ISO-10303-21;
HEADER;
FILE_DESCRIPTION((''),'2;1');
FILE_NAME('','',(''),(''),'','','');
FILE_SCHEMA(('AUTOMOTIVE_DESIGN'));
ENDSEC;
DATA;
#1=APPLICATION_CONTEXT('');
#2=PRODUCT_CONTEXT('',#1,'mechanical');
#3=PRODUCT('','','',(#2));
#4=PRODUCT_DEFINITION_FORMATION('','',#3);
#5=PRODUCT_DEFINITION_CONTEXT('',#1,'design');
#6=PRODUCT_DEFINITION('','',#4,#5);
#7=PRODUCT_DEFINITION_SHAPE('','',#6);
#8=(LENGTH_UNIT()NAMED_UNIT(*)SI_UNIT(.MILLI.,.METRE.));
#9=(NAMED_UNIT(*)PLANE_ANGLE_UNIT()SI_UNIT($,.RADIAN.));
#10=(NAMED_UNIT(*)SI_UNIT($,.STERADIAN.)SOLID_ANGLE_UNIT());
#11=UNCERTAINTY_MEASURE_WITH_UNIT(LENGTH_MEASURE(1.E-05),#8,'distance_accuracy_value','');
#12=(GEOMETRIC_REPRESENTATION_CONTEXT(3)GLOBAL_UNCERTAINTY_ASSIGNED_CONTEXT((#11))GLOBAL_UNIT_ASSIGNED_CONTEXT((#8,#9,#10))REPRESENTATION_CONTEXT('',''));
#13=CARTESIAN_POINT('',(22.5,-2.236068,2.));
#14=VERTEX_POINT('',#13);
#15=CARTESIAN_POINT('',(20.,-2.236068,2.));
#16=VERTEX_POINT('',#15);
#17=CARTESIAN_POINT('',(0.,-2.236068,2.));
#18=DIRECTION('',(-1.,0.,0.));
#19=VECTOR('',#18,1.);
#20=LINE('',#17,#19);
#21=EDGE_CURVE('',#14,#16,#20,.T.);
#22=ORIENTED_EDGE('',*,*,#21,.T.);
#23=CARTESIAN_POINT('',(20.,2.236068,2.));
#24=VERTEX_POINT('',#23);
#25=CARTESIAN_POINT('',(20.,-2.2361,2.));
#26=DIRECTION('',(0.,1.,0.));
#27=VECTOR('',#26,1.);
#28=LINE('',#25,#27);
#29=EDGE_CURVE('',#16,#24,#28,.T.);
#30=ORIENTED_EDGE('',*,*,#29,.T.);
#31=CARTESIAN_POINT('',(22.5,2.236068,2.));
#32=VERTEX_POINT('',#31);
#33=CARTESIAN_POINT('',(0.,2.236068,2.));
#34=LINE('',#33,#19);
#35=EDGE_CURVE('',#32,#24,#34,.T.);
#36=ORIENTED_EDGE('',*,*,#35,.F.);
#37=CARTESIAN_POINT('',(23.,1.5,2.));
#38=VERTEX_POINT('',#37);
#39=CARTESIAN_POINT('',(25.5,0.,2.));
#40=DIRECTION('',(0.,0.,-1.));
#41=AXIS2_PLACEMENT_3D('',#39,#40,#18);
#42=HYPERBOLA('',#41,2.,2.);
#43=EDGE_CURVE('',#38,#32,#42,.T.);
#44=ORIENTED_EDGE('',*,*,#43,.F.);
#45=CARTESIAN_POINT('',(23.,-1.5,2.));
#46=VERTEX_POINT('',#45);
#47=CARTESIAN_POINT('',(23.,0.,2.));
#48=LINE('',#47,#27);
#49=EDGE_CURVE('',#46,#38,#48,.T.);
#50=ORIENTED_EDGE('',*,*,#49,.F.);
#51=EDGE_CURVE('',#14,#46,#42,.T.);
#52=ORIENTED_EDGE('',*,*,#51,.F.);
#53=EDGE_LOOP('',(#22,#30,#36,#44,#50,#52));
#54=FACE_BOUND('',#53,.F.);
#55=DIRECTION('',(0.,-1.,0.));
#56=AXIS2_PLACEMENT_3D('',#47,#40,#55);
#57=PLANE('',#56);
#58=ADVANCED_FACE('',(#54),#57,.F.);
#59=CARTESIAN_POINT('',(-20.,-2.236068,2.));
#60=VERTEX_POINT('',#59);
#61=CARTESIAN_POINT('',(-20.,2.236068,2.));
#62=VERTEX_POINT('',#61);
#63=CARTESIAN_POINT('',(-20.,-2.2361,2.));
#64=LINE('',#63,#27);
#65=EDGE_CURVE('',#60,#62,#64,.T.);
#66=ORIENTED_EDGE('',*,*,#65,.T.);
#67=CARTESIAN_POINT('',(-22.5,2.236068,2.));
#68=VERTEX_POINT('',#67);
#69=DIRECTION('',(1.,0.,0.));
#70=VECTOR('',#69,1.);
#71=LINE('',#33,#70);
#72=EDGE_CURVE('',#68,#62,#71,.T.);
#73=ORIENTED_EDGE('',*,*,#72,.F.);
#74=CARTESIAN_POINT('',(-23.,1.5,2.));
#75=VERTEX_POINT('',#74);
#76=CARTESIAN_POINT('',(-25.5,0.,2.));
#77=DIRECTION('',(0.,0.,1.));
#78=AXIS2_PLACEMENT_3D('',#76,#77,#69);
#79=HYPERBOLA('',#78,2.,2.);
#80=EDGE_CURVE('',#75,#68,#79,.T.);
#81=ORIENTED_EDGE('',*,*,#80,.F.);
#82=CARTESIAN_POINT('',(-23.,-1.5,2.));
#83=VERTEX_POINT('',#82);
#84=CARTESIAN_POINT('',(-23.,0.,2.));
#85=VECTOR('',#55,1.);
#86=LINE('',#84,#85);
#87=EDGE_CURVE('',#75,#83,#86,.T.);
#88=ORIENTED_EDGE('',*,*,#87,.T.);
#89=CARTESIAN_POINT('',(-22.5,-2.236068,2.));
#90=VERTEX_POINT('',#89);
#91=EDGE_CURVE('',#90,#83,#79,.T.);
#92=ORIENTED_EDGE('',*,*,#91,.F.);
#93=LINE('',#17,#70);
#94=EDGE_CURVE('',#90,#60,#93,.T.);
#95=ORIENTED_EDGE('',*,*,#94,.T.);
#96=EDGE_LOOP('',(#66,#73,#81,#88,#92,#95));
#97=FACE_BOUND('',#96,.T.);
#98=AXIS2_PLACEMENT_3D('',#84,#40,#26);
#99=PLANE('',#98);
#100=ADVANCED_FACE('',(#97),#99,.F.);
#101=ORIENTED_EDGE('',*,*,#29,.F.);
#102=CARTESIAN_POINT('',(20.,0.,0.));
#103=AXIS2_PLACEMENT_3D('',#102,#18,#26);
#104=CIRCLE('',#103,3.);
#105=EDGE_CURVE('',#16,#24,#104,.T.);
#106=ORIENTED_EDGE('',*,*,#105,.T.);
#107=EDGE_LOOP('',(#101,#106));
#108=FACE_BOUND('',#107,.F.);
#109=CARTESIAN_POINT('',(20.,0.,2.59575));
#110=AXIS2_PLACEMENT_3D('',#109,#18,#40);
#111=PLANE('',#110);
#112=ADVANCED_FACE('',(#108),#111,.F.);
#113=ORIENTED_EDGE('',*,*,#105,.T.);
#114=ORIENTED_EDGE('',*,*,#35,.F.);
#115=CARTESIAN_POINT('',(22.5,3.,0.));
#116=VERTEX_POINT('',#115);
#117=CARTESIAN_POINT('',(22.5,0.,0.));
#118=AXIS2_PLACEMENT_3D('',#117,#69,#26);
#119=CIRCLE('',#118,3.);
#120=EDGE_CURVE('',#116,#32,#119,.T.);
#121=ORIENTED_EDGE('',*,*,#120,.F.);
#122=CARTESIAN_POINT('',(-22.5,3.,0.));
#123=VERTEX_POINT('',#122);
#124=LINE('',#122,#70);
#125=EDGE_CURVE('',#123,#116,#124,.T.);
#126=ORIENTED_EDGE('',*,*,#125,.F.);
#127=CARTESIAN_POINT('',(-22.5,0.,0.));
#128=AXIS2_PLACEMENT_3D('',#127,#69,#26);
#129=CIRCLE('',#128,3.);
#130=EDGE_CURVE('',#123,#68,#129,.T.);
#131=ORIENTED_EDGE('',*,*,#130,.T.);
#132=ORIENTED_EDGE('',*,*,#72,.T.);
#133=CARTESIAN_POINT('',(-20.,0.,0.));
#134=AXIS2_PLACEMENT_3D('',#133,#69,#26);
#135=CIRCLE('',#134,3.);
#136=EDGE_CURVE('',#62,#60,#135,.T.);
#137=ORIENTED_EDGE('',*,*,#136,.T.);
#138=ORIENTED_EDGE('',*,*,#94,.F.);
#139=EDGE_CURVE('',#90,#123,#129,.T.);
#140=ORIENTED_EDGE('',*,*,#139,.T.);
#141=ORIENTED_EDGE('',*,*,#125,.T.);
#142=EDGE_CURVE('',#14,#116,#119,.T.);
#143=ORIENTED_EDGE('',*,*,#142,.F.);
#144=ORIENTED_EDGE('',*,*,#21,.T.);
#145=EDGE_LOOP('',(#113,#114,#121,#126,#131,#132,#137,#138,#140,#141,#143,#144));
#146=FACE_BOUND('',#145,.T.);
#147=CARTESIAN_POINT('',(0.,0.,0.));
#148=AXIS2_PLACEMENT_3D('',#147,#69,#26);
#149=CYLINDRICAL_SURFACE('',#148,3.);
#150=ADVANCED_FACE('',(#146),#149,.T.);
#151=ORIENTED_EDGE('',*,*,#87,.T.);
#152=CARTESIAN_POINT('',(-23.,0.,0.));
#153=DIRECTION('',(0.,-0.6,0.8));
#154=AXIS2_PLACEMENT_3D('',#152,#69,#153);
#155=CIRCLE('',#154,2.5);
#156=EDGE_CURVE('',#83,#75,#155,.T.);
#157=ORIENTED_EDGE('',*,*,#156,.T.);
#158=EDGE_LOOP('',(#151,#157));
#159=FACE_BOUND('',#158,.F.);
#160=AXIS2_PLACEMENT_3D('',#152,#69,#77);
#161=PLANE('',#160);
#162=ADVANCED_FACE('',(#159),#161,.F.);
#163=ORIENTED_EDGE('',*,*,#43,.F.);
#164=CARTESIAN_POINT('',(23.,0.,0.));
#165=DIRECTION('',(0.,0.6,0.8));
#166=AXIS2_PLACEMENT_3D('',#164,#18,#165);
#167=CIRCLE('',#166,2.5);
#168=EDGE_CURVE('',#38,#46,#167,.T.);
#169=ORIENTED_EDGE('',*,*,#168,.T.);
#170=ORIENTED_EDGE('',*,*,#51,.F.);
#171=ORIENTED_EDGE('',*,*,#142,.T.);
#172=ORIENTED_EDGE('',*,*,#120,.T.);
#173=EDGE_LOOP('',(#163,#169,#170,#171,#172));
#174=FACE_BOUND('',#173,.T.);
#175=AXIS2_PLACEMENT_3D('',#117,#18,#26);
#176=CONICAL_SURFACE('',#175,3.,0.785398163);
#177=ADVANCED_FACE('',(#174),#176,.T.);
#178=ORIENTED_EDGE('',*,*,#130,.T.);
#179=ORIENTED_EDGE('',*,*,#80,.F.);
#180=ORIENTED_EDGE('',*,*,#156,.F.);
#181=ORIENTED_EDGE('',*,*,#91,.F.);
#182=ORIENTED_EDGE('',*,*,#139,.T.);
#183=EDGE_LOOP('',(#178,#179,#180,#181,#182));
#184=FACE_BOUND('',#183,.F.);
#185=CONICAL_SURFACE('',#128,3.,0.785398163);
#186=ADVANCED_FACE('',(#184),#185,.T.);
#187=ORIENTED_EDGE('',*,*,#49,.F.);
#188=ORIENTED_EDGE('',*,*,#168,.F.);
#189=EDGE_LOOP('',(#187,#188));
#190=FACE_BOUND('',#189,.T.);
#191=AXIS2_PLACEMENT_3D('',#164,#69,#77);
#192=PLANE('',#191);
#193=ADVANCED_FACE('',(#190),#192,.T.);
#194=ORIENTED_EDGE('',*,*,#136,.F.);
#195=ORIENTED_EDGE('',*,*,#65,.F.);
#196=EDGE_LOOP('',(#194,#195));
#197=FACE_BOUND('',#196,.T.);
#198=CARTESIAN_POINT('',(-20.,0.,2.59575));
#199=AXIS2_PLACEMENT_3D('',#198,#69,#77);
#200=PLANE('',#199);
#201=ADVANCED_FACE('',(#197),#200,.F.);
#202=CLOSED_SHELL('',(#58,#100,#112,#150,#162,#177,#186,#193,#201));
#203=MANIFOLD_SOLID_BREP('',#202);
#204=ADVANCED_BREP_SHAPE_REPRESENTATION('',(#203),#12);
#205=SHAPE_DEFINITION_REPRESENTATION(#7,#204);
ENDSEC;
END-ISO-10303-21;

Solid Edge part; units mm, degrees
sketch "Sketch1" plane through (0, 0, 0) normal (1, 0, 0) x (0, 1, 0)
  circle A0 centre (0, 0) radius 3
extrude "Protrusion1" add sketch "Sketch1" along normal mid plane 46
chamfer "Chamfer_1" distance 0.5 angle 45 1 edges at (23, -3, 0)
chamfer "Chamfer_2" distance 0.5 angle 45 1 edges at (-23, -3, 0)
sketch "Sketch2" plane through (23, 0, 0) normal (1, 0, 0) x (0, 1, 0)
  line L0 (-2.2361, 3.1915) -> (2.2361, 3.1915)
  line L1 (2.2361, 3.1915) -> (2.2361, 2)
  line L2 (0, 2) -> (2.2361, 2)
  line L3 (0, 2) -> (-2.2361, 2)
  line L4 (-2.2361, 2) -> (-2.2361, 3.1915)
extrude "ExtrudedCutout_1" cut sketch "Sketch2" along normal mid plane 6
mirror "Mirror1" about plane through (0, 0, 0) normal (1, 0, 0) of "ExtrudedCutout_1"
properties material "PVC"
